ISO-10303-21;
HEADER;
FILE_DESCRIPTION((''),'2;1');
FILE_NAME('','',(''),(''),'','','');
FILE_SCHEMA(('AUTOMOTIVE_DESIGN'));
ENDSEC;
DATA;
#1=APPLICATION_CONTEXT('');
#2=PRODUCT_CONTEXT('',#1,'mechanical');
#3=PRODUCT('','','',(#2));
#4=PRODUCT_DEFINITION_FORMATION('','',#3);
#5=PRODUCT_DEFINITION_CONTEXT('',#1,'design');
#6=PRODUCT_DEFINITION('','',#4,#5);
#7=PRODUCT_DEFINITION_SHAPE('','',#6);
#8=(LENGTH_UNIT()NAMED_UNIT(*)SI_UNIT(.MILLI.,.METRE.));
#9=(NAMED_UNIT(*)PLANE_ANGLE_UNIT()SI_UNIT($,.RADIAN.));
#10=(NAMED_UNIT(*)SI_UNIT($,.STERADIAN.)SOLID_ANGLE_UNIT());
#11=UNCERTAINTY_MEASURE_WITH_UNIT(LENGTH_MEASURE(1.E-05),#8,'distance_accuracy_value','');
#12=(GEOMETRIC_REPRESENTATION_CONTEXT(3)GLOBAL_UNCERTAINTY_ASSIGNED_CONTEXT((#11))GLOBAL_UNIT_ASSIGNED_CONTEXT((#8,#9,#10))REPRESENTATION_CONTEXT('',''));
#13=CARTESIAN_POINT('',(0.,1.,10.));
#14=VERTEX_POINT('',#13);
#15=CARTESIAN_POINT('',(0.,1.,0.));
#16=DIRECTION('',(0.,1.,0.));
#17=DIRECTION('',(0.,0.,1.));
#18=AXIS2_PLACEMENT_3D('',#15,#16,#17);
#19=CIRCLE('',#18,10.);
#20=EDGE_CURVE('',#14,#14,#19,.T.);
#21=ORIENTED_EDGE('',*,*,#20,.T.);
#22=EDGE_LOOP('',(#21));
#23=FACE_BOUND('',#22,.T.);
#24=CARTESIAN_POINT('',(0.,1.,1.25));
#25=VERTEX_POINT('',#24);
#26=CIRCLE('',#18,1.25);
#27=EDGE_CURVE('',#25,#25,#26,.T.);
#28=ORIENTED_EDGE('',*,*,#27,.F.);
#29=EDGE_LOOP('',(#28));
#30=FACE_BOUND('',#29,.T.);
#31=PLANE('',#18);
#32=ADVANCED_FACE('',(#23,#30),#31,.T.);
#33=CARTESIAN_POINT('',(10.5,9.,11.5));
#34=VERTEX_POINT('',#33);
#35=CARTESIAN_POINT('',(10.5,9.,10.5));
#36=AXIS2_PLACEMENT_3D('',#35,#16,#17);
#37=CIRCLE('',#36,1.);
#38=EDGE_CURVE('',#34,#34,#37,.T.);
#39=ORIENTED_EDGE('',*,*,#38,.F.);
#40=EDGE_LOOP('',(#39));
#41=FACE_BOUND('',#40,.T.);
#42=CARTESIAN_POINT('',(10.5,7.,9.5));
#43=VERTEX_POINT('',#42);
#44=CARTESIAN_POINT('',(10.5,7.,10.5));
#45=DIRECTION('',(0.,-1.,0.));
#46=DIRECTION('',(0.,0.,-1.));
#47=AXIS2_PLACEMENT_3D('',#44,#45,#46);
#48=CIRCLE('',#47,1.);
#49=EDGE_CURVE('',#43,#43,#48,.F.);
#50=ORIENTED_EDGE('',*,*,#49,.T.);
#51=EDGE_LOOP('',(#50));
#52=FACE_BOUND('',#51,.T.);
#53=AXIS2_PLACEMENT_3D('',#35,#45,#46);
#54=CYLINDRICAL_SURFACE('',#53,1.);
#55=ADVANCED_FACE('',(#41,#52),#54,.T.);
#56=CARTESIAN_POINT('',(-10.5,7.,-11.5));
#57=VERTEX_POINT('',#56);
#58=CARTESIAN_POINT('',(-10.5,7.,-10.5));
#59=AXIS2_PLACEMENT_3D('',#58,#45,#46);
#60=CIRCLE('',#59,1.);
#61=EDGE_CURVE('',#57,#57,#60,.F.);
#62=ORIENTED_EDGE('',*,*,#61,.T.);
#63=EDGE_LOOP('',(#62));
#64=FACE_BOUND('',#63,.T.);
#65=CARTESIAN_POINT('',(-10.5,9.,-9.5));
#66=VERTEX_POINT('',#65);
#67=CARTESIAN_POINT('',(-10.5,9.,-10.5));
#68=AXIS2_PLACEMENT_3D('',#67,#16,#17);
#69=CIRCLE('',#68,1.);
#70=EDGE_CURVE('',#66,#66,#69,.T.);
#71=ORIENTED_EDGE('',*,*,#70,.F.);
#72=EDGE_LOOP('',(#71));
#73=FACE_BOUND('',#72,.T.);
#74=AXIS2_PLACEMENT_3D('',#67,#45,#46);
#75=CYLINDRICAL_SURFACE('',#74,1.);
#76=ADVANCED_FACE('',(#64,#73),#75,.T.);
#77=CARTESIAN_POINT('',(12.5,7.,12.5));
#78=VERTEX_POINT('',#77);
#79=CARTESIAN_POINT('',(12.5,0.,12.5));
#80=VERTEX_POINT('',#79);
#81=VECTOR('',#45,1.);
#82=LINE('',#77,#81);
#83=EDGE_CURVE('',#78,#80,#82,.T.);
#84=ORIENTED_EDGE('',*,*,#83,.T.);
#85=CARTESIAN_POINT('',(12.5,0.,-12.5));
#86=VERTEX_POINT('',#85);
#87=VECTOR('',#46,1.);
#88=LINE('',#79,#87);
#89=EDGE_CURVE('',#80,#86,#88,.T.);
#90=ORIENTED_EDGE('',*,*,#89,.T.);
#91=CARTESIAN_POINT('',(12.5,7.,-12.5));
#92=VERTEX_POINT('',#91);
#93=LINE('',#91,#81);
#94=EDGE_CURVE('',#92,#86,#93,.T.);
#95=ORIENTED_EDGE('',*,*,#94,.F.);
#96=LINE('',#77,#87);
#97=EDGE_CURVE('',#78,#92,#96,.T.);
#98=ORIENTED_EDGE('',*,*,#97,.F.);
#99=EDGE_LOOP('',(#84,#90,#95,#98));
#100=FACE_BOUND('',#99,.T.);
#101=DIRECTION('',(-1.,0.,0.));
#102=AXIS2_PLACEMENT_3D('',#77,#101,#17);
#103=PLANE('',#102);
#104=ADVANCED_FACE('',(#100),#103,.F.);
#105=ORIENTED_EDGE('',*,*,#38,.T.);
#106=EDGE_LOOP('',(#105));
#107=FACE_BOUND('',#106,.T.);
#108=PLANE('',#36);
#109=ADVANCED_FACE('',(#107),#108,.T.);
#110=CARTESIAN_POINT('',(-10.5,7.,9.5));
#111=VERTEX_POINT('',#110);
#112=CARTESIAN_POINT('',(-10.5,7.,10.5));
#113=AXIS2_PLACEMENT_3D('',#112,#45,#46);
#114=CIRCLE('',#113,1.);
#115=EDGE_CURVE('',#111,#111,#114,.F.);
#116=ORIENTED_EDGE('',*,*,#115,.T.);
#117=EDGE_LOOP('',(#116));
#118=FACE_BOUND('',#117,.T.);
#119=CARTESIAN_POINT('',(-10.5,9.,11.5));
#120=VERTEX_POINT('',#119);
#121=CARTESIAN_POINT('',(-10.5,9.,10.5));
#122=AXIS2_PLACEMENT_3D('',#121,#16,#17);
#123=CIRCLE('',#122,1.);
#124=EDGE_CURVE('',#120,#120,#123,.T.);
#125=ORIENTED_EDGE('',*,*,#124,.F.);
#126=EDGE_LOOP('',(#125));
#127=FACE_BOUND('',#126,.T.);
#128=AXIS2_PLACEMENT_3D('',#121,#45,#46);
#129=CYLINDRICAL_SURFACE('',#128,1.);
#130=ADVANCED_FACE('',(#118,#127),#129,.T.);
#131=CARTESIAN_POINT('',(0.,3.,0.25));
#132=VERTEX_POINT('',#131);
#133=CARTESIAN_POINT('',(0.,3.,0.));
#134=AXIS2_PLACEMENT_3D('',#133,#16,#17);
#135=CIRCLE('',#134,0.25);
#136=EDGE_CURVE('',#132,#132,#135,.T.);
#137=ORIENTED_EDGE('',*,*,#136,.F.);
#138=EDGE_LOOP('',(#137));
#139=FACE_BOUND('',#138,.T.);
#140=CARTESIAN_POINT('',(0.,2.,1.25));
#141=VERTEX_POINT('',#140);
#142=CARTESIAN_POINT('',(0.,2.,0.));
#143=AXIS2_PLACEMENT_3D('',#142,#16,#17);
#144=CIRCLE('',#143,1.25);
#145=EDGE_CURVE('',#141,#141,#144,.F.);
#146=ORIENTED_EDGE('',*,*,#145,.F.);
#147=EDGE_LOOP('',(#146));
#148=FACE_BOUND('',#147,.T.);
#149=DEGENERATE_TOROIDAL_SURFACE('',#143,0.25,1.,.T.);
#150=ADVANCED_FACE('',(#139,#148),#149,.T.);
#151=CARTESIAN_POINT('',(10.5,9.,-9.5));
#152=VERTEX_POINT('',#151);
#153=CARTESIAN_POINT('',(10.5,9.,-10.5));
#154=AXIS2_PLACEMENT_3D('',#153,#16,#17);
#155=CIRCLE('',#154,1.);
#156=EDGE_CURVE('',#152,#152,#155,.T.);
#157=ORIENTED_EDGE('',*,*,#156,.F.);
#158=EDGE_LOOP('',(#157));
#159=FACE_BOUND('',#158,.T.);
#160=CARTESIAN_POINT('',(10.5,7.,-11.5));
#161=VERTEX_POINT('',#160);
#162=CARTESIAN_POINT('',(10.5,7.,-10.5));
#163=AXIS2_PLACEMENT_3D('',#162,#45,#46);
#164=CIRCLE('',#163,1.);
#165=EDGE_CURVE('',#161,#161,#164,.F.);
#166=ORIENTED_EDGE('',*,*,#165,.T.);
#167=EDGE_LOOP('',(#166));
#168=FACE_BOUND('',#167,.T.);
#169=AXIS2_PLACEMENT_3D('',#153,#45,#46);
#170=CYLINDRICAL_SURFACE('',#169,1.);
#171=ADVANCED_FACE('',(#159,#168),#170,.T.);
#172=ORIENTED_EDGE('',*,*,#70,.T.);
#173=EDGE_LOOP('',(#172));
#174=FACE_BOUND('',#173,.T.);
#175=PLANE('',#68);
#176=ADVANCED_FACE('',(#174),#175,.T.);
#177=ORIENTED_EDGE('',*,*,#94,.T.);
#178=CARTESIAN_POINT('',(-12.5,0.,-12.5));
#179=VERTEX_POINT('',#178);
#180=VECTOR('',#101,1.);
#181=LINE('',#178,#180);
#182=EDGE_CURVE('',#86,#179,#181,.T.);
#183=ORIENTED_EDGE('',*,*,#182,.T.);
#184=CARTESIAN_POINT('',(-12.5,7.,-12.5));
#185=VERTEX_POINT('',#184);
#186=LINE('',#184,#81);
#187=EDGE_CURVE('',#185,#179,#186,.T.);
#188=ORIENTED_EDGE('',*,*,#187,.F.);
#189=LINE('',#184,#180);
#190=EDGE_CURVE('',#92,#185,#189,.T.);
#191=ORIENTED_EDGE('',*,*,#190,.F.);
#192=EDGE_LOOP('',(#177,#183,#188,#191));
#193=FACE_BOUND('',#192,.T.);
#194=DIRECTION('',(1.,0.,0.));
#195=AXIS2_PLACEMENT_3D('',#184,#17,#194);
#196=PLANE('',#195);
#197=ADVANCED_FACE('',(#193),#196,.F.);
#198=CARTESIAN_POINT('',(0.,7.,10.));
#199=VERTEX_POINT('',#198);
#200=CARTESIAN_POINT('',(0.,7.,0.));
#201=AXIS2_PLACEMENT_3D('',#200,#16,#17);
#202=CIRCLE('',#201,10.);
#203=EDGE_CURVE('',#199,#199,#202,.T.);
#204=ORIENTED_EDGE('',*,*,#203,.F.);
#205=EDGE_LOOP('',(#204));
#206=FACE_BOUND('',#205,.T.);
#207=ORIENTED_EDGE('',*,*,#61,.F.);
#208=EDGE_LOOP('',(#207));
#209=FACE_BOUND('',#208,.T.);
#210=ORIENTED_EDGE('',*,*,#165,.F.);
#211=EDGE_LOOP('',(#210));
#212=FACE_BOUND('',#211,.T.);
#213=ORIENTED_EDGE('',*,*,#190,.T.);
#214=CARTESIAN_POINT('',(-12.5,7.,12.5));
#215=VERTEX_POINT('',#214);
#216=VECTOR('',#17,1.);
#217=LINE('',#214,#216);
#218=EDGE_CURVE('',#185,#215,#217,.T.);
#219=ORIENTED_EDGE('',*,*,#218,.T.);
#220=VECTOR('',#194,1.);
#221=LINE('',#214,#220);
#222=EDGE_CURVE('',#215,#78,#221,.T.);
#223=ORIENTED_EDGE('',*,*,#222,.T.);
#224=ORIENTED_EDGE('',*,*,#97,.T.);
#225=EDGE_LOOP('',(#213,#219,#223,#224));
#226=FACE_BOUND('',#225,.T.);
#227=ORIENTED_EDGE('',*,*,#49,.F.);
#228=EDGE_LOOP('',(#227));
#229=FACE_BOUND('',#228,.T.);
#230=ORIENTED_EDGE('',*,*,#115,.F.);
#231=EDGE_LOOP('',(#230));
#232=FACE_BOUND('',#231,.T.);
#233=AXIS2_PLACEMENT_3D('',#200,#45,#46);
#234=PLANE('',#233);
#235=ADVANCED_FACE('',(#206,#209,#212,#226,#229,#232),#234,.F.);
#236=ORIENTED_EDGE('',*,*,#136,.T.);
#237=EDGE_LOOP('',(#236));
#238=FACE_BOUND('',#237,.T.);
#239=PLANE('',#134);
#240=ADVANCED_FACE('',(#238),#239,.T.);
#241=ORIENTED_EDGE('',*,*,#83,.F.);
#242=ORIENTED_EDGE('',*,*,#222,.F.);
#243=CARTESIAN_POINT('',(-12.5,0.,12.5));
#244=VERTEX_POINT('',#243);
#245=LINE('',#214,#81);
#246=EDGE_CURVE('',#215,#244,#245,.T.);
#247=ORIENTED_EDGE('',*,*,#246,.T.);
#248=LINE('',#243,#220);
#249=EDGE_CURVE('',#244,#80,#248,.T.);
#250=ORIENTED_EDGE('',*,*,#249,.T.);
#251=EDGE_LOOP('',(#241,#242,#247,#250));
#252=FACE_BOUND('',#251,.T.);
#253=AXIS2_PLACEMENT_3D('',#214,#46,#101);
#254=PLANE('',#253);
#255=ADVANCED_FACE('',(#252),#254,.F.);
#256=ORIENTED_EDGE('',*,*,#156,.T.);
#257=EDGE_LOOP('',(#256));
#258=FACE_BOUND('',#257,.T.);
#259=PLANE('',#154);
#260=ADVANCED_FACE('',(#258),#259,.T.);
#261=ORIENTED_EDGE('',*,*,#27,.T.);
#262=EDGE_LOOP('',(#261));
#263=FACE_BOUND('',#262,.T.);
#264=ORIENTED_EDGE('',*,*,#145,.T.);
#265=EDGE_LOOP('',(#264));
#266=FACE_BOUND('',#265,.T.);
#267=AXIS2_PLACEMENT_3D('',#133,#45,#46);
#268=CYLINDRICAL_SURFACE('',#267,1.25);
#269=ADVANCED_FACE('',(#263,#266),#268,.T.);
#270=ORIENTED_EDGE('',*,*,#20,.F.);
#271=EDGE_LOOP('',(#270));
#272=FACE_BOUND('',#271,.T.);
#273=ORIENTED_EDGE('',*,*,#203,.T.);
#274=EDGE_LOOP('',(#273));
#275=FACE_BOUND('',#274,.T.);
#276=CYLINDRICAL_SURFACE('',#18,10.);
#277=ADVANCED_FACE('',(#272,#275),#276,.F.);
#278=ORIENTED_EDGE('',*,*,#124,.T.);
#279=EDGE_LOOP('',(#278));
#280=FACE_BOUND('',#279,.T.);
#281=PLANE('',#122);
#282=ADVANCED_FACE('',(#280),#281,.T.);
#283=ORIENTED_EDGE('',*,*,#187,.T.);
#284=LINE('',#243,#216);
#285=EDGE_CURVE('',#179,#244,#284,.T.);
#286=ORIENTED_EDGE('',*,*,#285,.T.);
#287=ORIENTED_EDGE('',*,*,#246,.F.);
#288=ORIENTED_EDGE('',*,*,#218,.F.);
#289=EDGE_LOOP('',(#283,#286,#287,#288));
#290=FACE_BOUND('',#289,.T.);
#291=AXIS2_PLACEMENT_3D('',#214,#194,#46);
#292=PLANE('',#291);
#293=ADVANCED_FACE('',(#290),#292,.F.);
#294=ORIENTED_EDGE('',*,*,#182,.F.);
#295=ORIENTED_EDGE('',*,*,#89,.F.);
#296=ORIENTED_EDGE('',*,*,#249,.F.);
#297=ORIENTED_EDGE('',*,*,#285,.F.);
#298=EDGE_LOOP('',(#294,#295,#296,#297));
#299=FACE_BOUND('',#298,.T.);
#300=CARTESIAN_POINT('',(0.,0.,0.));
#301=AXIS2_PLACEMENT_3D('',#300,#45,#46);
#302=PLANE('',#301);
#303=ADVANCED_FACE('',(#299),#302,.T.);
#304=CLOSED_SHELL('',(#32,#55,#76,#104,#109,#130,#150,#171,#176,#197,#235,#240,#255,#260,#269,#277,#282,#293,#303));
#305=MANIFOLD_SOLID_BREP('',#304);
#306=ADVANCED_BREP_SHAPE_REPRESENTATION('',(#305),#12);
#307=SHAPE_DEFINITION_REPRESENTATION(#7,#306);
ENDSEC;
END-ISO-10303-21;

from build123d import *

# Parameters (mm, degrees)
SKETCH1_W           = 25
SKETCH1_H           = 25
BOSS_EXTRUDE1_DEPTH = 7
SKETCH2_R           = 10
CUT_EXTRUDE1_DEPTH  = 6
SKETCH3_R           = 1.25
BOSS_EXTRUDE2_DEPTH = 2
FILLET1_R           = 1
SKETCH4_R           = 1
BOSS_EXTRUDE3_DEPTH = 2


with BuildPart() as part:
    # Sketch1 → Boss-Extrude1 (new body)
    with BuildSketch(Plane(origin=(0, 0, 0), x_dir=(1, 0, 0), z_dir=(0, 1, 0))):
        Rectangle(SKETCH1_W, SKETCH1_H)
    extrude(amount=BOSS_EXTRUDE1_DEPTH)

    # Sketch2 → Cut-Extrude1 (cut)
    with BuildSketch(Plane(origin=(0, 7, 0), x_dir=(1, 0, 0), z_dir=(0, 1, 0))):
        Circle(SKETCH2_R)
    extrude(amount=-CUT_EXTRUDE1_DEPTH, mode=Mode.SUBTRACT)

    # Sketch3 → Boss-Extrude2 (add)
    with BuildSketch(Plane(origin=(0, 1, 0), x_dir=(1, 0, 0), z_dir=(0, 1, 0))):
        Circle(SKETCH3_R)
    extrude(amount=BOSS_EXTRUDE2_DEPTH)

    # Fillet1
    fillet1_edges = [part.edges().sort_by_distance(p)[0] for p in [
        (-1.25, 3, 0),
    ]]
    fillet(fillet1_edges, radius=FILLET1_R)

    # Sketch4 → Boss-Extrude3 (add)
    with BuildSketch(Plane(origin=(0, 7, 0), x_dir=(1, 0, 0), z_dir=(0, 1, 0))):
        with Locations((-10.5, 10.5)):
            Circle(SKETCH4_R)
        with Locations((10.5, 10.5)):
            Circle(SKETCH4_R)
        with Locations((10.5, -10.5)):
            Circle(SKETCH4_R)
        with Locations((-10.5, -10.5)):
            Circle(SKETCH4_R)
    extrude(amount=BOSS_EXTRUDE3_DEPTH)


solid = part.part
